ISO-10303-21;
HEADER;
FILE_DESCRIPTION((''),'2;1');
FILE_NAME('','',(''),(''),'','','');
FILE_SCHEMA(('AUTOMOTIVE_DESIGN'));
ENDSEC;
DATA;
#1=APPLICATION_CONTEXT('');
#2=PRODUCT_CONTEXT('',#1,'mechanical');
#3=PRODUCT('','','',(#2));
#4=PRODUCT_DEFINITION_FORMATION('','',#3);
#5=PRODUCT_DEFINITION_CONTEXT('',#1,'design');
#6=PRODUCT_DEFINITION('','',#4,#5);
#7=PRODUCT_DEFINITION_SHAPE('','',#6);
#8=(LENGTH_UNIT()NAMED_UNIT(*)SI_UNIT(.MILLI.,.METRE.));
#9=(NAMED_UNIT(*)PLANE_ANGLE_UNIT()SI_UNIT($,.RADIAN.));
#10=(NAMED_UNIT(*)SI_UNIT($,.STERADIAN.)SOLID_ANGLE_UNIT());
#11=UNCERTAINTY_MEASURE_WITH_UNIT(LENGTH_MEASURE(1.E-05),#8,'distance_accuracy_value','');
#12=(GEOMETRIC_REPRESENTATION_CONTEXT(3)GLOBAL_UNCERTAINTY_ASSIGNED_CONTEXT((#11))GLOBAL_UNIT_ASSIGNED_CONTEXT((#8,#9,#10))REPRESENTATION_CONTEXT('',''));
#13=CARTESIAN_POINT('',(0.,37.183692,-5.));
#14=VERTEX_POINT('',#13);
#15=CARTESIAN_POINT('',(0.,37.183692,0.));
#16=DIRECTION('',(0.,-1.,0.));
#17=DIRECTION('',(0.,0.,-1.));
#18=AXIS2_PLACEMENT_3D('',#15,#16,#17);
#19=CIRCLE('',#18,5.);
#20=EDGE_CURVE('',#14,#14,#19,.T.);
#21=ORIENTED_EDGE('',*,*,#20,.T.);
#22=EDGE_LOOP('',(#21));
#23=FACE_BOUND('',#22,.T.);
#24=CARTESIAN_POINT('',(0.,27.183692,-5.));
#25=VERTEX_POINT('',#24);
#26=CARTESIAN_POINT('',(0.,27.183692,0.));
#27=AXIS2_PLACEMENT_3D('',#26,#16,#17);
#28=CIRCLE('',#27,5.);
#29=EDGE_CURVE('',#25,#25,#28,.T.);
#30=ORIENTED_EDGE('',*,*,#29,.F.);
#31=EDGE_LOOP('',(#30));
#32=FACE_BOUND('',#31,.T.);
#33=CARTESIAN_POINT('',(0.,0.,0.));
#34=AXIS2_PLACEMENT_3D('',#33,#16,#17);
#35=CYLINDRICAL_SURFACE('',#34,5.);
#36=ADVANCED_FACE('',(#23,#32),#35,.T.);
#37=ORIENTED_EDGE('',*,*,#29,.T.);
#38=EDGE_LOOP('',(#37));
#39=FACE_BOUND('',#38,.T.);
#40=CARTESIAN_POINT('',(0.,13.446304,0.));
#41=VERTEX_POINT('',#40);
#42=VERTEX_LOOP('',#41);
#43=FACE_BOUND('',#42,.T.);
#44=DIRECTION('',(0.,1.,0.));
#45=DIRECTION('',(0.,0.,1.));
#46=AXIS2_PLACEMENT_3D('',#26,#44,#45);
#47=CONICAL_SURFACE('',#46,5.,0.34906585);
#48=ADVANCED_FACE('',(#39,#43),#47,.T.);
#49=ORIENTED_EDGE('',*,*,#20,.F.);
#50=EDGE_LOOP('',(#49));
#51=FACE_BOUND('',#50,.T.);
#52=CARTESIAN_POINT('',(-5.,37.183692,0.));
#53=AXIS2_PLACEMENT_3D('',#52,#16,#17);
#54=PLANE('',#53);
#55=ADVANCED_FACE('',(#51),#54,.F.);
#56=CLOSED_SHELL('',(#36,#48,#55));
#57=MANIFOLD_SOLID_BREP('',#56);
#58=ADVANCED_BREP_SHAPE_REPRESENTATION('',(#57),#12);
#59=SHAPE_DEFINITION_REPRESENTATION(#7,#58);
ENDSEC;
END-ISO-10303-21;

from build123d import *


with BuildPart() as part:
    # Sketch1 → Revolve1 (revolve)
    with BuildSketch(Plane.XY, mode=Mode.PRIVATE) as revolve1_sk:
        Polygon((-5, 37.183691589), (-5, 27.183691589), (0, 13.446304491), (0, 37.183691589), align=None)
    revolve(revolve1_sk.sketch.rotate(Axis((0, 0, 0), (0, 1, 0)), 270), axis=Axis((0, 0, 0), (0, 1, 0)))  # turned: the seam where the file's is


solid = part.part
